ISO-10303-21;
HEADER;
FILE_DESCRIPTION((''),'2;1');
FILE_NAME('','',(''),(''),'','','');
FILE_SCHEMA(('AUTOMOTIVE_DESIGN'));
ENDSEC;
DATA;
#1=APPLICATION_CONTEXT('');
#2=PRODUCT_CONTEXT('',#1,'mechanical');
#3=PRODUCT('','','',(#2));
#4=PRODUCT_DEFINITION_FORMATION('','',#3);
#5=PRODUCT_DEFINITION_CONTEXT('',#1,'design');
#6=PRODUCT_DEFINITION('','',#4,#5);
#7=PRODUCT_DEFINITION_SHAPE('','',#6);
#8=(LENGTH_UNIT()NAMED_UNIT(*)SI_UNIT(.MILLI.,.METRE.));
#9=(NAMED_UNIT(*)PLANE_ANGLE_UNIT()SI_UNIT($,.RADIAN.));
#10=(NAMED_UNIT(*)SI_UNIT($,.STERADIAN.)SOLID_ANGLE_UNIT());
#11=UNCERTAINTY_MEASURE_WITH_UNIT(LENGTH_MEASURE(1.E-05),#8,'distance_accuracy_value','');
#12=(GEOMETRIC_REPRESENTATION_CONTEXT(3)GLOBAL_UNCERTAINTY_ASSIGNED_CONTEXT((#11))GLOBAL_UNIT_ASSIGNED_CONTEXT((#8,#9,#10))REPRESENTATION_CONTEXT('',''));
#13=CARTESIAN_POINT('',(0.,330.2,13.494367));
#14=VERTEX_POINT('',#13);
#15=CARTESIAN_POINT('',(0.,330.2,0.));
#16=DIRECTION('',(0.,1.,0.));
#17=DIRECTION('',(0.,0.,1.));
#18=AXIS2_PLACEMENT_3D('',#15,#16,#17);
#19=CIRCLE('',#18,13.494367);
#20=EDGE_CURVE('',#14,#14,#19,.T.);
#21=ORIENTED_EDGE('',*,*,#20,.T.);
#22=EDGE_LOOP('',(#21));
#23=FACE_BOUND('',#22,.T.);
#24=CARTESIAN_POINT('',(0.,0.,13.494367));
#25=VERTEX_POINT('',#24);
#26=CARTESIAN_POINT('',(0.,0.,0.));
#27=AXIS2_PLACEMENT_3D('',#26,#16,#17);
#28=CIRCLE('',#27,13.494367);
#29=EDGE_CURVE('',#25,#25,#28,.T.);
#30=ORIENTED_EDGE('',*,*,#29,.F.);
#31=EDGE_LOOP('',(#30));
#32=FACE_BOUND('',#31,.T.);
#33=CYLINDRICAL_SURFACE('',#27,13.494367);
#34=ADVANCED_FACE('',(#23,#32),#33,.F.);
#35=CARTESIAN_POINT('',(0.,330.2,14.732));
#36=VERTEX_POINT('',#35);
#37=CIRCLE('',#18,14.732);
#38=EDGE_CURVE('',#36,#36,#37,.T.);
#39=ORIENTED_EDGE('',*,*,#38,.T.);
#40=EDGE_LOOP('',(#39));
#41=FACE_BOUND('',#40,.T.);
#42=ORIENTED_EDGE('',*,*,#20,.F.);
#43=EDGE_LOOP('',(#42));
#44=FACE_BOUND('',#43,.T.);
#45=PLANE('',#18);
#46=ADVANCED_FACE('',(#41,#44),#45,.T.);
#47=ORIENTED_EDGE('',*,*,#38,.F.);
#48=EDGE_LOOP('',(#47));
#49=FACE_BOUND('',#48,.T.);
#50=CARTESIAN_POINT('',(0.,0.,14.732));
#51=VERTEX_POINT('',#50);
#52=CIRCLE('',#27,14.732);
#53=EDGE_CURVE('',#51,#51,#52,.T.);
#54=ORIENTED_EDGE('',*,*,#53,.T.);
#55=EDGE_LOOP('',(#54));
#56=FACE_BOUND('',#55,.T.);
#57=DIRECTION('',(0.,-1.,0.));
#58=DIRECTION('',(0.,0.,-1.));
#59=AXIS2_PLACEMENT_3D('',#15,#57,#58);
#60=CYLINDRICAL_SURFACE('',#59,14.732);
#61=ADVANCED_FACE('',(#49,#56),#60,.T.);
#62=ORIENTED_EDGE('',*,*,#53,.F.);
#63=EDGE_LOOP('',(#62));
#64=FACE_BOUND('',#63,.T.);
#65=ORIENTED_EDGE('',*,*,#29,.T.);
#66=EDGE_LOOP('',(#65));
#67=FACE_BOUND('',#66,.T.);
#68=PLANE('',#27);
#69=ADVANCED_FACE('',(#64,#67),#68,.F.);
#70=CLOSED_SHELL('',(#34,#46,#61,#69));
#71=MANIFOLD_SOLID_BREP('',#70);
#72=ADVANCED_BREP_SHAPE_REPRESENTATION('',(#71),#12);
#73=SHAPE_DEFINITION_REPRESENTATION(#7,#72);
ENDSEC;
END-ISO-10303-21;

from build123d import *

# Parameters (mm, degrees)
SKETCH1_R           = 14.732
BOSS_EXTRUDE1_DEPTH = 330.2
SKETCH2_R           = 13.494366606
CUT_EXTRUDE1_DEPTH  = 330.2


with BuildPart() as part:
    # Sketch1 → Boss-Extrude1 (new body)
    with BuildSketch(Plane(origin=(0, 0, 0), x_dir=(1, 0, 0), z_dir=(0, 1, 0))):
        Circle(SKETCH1_R)
    extrude(amount=BOSS_EXTRUDE1_DEPTH)

    # Sketch2 → Cut-Extrude1 (cut)
    with BuildSketch(Plane(origin=(0, 330.2, 0), x_dir=(1, 0, 0), z_dir=(0, 1, 0))):
        Circle(SKETCH2_R)
    extrude(amount=-CUT_EXTRUDE1_DEPTH, mode=Mode.SUBTRACT)


solid = part.part
